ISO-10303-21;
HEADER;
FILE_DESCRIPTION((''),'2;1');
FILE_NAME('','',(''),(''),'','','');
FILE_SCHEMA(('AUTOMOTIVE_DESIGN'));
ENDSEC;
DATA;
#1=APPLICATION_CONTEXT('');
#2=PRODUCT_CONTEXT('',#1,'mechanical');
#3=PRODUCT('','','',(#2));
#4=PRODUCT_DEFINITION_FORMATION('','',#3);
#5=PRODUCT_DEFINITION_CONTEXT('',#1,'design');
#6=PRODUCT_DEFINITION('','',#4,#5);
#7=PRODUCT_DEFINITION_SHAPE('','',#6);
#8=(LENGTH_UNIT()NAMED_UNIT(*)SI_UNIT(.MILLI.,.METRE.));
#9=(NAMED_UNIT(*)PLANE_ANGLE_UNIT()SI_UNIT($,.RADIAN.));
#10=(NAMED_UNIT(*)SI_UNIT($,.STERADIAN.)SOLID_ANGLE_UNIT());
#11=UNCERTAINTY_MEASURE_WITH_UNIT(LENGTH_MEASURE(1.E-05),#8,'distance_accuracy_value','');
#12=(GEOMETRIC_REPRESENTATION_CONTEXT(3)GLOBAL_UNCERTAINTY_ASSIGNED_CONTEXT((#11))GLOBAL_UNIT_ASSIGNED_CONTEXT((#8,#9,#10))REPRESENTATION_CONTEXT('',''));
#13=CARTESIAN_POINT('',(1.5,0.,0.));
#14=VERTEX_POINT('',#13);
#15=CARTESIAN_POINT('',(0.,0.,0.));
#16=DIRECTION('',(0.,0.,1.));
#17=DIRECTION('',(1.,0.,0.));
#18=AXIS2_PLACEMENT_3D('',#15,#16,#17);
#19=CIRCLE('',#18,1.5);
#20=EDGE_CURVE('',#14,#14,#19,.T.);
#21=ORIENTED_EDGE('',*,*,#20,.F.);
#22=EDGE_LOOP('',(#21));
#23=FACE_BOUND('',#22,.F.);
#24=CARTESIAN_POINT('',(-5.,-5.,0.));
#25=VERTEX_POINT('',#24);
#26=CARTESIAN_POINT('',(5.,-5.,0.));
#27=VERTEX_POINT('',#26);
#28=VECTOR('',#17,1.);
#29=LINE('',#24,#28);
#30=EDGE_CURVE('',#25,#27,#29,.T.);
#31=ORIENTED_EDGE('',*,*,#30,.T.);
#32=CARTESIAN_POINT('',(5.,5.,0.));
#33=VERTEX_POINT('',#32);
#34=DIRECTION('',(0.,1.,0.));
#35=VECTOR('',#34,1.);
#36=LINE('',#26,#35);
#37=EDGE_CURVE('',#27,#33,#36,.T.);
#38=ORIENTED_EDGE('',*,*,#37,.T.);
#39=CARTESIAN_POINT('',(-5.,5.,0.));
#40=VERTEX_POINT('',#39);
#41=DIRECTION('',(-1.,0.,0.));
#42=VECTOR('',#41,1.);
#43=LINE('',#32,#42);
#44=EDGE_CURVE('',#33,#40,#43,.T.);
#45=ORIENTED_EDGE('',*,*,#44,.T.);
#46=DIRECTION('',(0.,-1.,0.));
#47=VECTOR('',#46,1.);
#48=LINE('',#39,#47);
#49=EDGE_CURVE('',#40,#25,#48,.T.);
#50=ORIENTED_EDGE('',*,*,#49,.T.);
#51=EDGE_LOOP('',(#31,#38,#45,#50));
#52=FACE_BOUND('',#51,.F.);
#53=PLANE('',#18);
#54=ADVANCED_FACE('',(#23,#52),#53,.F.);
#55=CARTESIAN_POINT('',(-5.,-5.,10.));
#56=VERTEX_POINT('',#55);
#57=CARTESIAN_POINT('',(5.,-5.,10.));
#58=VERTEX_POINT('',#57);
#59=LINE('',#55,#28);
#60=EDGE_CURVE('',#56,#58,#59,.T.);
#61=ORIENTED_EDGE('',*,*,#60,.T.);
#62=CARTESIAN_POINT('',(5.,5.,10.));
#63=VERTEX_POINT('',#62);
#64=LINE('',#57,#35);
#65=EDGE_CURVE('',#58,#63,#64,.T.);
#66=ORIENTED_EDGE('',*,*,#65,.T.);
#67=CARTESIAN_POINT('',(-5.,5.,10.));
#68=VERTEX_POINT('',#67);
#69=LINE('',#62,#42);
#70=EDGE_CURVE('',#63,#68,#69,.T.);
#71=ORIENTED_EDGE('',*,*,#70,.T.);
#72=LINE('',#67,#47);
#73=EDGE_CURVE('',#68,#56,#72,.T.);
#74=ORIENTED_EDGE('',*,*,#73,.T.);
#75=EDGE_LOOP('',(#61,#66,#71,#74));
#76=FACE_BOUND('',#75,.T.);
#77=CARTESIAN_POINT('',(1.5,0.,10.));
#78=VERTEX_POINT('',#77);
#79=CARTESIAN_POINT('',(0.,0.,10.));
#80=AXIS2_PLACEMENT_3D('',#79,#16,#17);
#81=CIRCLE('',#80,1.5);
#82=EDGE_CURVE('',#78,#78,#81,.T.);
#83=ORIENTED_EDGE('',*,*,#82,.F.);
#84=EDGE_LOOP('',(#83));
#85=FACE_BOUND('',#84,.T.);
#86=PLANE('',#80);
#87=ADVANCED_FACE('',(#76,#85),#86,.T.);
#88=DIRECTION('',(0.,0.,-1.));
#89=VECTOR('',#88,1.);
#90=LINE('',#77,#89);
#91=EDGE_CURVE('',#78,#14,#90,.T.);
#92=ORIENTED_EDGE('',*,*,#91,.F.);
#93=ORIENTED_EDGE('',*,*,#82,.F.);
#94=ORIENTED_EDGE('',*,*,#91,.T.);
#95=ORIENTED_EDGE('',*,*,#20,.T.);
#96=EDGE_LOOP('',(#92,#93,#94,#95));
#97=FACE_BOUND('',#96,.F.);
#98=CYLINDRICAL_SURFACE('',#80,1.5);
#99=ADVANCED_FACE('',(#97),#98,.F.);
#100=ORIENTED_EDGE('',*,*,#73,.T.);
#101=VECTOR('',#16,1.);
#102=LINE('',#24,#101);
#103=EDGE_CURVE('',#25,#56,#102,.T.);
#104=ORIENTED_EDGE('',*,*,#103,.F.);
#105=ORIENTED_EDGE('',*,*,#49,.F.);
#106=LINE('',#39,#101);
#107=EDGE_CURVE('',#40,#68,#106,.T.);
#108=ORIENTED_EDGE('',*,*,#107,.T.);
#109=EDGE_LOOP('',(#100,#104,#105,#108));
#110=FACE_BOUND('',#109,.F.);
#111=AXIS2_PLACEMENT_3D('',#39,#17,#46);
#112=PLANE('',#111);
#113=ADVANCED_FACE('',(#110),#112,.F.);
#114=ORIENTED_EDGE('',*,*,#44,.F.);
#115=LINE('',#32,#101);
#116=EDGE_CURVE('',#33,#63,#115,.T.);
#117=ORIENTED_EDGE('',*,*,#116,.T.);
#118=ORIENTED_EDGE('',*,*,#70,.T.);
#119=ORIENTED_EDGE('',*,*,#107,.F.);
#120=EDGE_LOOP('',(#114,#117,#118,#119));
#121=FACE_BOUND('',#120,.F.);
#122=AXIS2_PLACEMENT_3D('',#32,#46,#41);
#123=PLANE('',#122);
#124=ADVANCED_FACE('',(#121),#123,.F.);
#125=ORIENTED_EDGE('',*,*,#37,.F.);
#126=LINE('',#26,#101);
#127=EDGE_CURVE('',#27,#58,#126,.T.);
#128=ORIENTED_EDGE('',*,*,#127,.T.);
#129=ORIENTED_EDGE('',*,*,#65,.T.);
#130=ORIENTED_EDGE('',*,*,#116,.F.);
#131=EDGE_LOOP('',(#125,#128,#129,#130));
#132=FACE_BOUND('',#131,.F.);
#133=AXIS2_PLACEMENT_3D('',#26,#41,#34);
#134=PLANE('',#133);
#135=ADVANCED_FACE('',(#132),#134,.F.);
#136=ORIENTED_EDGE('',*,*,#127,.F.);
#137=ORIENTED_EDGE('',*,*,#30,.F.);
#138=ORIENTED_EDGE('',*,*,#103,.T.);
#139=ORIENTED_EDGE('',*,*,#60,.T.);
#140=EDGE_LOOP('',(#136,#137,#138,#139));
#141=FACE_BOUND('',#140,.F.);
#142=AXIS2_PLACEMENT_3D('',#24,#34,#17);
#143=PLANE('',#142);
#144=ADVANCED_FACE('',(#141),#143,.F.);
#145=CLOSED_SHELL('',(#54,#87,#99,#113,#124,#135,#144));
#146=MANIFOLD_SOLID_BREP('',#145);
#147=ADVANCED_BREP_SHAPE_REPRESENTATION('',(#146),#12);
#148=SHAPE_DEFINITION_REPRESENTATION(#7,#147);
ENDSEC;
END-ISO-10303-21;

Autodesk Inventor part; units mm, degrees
ref_plane "YZ Plane" through (0, 0, 0) normal (1, 0, 0) x (0, 1, 0)
ref_plane "XZ Plane" through (0, 0, 0) normal (0, 1, 0) x (-1, 0, 0)
ref_plane "XY Plane" through (0, 0, 0) normal (0, 0, 1) x (1, 0, 0)
sketch "Sketch1" plane through (0, 0, 0) normal (0, 0, 1) x (1, 0, 0)
  line L0 (-5, -5) -> (5, -5)
  line L1 (5, -5) -> (5, 5)
  line L2 (5, 5) -> (-5, 5)
  line L3 (-5, 5) -> (-5, -5)
  line L4 (-5, -5) -> (5, 5) construction
  line L5 (5, -5) -> (-5, 5) construction
  point P0 (0, 0)
  dimension "length" = 10
  dimension "d1" = 10
extrude "Extrusion1" add sketch "Sketch1" along normal blind 10
sketch "Sketch2" plane through (0, 0, 10) normal (0, 0, 1) x (1, 0, 0)
  circle A0 centre (0, 0) radius 1.5
  dimension "diameter" = 3
extrude "Extrusion2" cut sketch "Sketch2" against normal blind 10
thread "Thread1" size "M3x0.5" class "6H" standard "ANSI Metric M Profile" length 10
equation "\"d1\" = length"
equation "\"d2\" = length"
equation "\"d5\" = length"
equation "\"d7\" = length"
properties part number "m3x0.5"
